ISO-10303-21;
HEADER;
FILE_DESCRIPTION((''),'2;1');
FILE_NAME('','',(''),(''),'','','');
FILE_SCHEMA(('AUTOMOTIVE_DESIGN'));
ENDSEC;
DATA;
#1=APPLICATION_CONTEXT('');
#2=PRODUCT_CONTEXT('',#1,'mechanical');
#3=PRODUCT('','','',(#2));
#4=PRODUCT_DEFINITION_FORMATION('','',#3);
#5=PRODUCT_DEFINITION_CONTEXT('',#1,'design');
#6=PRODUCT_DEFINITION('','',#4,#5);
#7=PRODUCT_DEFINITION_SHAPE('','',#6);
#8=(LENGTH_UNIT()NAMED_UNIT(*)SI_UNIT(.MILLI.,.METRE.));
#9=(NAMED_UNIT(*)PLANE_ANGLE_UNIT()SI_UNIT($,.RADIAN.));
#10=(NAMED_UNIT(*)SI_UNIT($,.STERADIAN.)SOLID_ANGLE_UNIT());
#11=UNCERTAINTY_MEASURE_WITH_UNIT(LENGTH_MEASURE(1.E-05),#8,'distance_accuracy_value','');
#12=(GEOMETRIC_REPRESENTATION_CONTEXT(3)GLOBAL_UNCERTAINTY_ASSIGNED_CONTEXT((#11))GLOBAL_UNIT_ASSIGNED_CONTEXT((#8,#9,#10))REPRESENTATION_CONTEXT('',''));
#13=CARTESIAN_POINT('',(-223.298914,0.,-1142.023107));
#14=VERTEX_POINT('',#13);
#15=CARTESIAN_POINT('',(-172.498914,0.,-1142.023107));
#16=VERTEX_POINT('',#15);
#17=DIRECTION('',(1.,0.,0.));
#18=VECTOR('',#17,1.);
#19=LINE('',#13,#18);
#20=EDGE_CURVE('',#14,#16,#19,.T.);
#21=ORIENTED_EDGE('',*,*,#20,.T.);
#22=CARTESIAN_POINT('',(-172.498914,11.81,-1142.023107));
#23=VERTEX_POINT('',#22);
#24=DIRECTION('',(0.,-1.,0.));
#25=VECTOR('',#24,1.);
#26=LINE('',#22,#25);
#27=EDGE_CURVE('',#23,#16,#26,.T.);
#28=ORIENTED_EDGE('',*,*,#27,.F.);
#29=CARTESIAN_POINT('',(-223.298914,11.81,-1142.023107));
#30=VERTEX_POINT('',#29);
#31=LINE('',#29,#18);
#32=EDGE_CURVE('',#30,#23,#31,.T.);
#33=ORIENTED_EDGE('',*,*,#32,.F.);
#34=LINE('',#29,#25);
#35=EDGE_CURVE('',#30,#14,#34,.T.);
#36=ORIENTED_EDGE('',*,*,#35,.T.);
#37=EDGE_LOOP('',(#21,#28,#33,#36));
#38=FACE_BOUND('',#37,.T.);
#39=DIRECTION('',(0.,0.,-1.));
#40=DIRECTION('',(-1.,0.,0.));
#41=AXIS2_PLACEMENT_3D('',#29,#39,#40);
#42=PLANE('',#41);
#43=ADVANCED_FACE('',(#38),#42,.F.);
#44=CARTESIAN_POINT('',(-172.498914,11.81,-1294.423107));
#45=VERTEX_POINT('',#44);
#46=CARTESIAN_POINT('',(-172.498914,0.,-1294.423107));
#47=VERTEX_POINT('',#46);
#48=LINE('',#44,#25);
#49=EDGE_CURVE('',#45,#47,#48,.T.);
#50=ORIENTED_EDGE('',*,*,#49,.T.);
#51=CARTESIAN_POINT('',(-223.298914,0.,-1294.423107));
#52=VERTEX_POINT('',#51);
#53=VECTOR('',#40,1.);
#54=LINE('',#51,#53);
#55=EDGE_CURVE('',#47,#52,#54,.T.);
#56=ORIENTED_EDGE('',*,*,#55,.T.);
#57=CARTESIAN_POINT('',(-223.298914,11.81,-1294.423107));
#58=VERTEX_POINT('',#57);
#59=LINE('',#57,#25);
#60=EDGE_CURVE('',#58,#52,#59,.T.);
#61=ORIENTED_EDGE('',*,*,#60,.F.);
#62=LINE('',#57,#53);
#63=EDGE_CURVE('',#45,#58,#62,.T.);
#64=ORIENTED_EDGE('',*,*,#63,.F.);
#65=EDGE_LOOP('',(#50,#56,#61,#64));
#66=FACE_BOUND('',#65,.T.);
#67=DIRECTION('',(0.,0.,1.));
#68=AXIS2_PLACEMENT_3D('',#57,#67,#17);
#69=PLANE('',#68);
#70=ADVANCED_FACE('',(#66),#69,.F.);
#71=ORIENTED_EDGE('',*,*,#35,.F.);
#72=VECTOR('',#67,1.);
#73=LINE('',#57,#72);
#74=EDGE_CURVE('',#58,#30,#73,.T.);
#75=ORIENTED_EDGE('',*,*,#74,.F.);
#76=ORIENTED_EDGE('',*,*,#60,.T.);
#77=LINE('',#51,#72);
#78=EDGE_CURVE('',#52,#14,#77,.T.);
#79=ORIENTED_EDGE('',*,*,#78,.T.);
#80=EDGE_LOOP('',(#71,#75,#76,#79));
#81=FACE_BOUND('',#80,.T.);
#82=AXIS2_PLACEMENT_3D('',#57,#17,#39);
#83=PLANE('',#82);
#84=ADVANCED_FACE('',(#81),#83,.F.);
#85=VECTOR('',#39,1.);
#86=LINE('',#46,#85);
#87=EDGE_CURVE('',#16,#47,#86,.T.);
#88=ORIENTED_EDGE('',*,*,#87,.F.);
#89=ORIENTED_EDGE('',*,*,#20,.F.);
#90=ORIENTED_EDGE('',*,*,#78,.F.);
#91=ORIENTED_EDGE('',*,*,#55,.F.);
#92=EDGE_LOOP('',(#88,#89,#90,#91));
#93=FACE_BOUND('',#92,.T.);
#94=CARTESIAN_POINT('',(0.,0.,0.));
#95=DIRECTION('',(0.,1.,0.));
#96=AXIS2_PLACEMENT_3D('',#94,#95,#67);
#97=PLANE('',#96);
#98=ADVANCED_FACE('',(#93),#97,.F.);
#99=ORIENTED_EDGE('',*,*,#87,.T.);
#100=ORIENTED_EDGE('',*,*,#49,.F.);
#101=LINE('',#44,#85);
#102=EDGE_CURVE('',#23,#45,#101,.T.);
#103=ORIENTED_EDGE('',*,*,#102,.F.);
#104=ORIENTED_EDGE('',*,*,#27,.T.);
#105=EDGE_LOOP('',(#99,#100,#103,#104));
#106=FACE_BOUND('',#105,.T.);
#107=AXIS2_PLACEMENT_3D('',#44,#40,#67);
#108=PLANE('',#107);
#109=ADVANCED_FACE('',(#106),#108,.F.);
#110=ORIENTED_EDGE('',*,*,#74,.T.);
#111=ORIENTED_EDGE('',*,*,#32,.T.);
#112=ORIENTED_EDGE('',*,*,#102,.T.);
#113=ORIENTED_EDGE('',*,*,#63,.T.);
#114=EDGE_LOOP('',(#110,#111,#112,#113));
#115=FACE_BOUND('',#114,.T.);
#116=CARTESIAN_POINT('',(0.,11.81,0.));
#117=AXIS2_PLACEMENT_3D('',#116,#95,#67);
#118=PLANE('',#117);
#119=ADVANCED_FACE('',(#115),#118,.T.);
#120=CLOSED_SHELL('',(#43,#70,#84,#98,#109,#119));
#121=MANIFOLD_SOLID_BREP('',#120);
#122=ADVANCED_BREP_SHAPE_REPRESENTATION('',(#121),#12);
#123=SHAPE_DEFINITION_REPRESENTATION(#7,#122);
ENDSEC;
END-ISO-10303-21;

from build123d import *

# Parameters (mm, degrees)
BASE_SKETCH_W       = 50.8
BASE_SKETCH_H       = 152.4
BOSS_EXTRUDE1_DEPTH = 11.81


with BuildPart() as part:
    # Base_Sketch → Boss-Extrude1 (new body)
    with BuildSketch(Plane(origin=(0, 0, 0), x_dir=(1, 0, 0), z_dir=(0, 1, 0))):
        with Locations((-197.898914239, 1218.223107284)):
            Rectangle(BASE_SKETCH_W, BASE_SKETCH_H)
    extrude(amount=BOSS_EXTRUDE1_DEPTH)


solid = part.part
